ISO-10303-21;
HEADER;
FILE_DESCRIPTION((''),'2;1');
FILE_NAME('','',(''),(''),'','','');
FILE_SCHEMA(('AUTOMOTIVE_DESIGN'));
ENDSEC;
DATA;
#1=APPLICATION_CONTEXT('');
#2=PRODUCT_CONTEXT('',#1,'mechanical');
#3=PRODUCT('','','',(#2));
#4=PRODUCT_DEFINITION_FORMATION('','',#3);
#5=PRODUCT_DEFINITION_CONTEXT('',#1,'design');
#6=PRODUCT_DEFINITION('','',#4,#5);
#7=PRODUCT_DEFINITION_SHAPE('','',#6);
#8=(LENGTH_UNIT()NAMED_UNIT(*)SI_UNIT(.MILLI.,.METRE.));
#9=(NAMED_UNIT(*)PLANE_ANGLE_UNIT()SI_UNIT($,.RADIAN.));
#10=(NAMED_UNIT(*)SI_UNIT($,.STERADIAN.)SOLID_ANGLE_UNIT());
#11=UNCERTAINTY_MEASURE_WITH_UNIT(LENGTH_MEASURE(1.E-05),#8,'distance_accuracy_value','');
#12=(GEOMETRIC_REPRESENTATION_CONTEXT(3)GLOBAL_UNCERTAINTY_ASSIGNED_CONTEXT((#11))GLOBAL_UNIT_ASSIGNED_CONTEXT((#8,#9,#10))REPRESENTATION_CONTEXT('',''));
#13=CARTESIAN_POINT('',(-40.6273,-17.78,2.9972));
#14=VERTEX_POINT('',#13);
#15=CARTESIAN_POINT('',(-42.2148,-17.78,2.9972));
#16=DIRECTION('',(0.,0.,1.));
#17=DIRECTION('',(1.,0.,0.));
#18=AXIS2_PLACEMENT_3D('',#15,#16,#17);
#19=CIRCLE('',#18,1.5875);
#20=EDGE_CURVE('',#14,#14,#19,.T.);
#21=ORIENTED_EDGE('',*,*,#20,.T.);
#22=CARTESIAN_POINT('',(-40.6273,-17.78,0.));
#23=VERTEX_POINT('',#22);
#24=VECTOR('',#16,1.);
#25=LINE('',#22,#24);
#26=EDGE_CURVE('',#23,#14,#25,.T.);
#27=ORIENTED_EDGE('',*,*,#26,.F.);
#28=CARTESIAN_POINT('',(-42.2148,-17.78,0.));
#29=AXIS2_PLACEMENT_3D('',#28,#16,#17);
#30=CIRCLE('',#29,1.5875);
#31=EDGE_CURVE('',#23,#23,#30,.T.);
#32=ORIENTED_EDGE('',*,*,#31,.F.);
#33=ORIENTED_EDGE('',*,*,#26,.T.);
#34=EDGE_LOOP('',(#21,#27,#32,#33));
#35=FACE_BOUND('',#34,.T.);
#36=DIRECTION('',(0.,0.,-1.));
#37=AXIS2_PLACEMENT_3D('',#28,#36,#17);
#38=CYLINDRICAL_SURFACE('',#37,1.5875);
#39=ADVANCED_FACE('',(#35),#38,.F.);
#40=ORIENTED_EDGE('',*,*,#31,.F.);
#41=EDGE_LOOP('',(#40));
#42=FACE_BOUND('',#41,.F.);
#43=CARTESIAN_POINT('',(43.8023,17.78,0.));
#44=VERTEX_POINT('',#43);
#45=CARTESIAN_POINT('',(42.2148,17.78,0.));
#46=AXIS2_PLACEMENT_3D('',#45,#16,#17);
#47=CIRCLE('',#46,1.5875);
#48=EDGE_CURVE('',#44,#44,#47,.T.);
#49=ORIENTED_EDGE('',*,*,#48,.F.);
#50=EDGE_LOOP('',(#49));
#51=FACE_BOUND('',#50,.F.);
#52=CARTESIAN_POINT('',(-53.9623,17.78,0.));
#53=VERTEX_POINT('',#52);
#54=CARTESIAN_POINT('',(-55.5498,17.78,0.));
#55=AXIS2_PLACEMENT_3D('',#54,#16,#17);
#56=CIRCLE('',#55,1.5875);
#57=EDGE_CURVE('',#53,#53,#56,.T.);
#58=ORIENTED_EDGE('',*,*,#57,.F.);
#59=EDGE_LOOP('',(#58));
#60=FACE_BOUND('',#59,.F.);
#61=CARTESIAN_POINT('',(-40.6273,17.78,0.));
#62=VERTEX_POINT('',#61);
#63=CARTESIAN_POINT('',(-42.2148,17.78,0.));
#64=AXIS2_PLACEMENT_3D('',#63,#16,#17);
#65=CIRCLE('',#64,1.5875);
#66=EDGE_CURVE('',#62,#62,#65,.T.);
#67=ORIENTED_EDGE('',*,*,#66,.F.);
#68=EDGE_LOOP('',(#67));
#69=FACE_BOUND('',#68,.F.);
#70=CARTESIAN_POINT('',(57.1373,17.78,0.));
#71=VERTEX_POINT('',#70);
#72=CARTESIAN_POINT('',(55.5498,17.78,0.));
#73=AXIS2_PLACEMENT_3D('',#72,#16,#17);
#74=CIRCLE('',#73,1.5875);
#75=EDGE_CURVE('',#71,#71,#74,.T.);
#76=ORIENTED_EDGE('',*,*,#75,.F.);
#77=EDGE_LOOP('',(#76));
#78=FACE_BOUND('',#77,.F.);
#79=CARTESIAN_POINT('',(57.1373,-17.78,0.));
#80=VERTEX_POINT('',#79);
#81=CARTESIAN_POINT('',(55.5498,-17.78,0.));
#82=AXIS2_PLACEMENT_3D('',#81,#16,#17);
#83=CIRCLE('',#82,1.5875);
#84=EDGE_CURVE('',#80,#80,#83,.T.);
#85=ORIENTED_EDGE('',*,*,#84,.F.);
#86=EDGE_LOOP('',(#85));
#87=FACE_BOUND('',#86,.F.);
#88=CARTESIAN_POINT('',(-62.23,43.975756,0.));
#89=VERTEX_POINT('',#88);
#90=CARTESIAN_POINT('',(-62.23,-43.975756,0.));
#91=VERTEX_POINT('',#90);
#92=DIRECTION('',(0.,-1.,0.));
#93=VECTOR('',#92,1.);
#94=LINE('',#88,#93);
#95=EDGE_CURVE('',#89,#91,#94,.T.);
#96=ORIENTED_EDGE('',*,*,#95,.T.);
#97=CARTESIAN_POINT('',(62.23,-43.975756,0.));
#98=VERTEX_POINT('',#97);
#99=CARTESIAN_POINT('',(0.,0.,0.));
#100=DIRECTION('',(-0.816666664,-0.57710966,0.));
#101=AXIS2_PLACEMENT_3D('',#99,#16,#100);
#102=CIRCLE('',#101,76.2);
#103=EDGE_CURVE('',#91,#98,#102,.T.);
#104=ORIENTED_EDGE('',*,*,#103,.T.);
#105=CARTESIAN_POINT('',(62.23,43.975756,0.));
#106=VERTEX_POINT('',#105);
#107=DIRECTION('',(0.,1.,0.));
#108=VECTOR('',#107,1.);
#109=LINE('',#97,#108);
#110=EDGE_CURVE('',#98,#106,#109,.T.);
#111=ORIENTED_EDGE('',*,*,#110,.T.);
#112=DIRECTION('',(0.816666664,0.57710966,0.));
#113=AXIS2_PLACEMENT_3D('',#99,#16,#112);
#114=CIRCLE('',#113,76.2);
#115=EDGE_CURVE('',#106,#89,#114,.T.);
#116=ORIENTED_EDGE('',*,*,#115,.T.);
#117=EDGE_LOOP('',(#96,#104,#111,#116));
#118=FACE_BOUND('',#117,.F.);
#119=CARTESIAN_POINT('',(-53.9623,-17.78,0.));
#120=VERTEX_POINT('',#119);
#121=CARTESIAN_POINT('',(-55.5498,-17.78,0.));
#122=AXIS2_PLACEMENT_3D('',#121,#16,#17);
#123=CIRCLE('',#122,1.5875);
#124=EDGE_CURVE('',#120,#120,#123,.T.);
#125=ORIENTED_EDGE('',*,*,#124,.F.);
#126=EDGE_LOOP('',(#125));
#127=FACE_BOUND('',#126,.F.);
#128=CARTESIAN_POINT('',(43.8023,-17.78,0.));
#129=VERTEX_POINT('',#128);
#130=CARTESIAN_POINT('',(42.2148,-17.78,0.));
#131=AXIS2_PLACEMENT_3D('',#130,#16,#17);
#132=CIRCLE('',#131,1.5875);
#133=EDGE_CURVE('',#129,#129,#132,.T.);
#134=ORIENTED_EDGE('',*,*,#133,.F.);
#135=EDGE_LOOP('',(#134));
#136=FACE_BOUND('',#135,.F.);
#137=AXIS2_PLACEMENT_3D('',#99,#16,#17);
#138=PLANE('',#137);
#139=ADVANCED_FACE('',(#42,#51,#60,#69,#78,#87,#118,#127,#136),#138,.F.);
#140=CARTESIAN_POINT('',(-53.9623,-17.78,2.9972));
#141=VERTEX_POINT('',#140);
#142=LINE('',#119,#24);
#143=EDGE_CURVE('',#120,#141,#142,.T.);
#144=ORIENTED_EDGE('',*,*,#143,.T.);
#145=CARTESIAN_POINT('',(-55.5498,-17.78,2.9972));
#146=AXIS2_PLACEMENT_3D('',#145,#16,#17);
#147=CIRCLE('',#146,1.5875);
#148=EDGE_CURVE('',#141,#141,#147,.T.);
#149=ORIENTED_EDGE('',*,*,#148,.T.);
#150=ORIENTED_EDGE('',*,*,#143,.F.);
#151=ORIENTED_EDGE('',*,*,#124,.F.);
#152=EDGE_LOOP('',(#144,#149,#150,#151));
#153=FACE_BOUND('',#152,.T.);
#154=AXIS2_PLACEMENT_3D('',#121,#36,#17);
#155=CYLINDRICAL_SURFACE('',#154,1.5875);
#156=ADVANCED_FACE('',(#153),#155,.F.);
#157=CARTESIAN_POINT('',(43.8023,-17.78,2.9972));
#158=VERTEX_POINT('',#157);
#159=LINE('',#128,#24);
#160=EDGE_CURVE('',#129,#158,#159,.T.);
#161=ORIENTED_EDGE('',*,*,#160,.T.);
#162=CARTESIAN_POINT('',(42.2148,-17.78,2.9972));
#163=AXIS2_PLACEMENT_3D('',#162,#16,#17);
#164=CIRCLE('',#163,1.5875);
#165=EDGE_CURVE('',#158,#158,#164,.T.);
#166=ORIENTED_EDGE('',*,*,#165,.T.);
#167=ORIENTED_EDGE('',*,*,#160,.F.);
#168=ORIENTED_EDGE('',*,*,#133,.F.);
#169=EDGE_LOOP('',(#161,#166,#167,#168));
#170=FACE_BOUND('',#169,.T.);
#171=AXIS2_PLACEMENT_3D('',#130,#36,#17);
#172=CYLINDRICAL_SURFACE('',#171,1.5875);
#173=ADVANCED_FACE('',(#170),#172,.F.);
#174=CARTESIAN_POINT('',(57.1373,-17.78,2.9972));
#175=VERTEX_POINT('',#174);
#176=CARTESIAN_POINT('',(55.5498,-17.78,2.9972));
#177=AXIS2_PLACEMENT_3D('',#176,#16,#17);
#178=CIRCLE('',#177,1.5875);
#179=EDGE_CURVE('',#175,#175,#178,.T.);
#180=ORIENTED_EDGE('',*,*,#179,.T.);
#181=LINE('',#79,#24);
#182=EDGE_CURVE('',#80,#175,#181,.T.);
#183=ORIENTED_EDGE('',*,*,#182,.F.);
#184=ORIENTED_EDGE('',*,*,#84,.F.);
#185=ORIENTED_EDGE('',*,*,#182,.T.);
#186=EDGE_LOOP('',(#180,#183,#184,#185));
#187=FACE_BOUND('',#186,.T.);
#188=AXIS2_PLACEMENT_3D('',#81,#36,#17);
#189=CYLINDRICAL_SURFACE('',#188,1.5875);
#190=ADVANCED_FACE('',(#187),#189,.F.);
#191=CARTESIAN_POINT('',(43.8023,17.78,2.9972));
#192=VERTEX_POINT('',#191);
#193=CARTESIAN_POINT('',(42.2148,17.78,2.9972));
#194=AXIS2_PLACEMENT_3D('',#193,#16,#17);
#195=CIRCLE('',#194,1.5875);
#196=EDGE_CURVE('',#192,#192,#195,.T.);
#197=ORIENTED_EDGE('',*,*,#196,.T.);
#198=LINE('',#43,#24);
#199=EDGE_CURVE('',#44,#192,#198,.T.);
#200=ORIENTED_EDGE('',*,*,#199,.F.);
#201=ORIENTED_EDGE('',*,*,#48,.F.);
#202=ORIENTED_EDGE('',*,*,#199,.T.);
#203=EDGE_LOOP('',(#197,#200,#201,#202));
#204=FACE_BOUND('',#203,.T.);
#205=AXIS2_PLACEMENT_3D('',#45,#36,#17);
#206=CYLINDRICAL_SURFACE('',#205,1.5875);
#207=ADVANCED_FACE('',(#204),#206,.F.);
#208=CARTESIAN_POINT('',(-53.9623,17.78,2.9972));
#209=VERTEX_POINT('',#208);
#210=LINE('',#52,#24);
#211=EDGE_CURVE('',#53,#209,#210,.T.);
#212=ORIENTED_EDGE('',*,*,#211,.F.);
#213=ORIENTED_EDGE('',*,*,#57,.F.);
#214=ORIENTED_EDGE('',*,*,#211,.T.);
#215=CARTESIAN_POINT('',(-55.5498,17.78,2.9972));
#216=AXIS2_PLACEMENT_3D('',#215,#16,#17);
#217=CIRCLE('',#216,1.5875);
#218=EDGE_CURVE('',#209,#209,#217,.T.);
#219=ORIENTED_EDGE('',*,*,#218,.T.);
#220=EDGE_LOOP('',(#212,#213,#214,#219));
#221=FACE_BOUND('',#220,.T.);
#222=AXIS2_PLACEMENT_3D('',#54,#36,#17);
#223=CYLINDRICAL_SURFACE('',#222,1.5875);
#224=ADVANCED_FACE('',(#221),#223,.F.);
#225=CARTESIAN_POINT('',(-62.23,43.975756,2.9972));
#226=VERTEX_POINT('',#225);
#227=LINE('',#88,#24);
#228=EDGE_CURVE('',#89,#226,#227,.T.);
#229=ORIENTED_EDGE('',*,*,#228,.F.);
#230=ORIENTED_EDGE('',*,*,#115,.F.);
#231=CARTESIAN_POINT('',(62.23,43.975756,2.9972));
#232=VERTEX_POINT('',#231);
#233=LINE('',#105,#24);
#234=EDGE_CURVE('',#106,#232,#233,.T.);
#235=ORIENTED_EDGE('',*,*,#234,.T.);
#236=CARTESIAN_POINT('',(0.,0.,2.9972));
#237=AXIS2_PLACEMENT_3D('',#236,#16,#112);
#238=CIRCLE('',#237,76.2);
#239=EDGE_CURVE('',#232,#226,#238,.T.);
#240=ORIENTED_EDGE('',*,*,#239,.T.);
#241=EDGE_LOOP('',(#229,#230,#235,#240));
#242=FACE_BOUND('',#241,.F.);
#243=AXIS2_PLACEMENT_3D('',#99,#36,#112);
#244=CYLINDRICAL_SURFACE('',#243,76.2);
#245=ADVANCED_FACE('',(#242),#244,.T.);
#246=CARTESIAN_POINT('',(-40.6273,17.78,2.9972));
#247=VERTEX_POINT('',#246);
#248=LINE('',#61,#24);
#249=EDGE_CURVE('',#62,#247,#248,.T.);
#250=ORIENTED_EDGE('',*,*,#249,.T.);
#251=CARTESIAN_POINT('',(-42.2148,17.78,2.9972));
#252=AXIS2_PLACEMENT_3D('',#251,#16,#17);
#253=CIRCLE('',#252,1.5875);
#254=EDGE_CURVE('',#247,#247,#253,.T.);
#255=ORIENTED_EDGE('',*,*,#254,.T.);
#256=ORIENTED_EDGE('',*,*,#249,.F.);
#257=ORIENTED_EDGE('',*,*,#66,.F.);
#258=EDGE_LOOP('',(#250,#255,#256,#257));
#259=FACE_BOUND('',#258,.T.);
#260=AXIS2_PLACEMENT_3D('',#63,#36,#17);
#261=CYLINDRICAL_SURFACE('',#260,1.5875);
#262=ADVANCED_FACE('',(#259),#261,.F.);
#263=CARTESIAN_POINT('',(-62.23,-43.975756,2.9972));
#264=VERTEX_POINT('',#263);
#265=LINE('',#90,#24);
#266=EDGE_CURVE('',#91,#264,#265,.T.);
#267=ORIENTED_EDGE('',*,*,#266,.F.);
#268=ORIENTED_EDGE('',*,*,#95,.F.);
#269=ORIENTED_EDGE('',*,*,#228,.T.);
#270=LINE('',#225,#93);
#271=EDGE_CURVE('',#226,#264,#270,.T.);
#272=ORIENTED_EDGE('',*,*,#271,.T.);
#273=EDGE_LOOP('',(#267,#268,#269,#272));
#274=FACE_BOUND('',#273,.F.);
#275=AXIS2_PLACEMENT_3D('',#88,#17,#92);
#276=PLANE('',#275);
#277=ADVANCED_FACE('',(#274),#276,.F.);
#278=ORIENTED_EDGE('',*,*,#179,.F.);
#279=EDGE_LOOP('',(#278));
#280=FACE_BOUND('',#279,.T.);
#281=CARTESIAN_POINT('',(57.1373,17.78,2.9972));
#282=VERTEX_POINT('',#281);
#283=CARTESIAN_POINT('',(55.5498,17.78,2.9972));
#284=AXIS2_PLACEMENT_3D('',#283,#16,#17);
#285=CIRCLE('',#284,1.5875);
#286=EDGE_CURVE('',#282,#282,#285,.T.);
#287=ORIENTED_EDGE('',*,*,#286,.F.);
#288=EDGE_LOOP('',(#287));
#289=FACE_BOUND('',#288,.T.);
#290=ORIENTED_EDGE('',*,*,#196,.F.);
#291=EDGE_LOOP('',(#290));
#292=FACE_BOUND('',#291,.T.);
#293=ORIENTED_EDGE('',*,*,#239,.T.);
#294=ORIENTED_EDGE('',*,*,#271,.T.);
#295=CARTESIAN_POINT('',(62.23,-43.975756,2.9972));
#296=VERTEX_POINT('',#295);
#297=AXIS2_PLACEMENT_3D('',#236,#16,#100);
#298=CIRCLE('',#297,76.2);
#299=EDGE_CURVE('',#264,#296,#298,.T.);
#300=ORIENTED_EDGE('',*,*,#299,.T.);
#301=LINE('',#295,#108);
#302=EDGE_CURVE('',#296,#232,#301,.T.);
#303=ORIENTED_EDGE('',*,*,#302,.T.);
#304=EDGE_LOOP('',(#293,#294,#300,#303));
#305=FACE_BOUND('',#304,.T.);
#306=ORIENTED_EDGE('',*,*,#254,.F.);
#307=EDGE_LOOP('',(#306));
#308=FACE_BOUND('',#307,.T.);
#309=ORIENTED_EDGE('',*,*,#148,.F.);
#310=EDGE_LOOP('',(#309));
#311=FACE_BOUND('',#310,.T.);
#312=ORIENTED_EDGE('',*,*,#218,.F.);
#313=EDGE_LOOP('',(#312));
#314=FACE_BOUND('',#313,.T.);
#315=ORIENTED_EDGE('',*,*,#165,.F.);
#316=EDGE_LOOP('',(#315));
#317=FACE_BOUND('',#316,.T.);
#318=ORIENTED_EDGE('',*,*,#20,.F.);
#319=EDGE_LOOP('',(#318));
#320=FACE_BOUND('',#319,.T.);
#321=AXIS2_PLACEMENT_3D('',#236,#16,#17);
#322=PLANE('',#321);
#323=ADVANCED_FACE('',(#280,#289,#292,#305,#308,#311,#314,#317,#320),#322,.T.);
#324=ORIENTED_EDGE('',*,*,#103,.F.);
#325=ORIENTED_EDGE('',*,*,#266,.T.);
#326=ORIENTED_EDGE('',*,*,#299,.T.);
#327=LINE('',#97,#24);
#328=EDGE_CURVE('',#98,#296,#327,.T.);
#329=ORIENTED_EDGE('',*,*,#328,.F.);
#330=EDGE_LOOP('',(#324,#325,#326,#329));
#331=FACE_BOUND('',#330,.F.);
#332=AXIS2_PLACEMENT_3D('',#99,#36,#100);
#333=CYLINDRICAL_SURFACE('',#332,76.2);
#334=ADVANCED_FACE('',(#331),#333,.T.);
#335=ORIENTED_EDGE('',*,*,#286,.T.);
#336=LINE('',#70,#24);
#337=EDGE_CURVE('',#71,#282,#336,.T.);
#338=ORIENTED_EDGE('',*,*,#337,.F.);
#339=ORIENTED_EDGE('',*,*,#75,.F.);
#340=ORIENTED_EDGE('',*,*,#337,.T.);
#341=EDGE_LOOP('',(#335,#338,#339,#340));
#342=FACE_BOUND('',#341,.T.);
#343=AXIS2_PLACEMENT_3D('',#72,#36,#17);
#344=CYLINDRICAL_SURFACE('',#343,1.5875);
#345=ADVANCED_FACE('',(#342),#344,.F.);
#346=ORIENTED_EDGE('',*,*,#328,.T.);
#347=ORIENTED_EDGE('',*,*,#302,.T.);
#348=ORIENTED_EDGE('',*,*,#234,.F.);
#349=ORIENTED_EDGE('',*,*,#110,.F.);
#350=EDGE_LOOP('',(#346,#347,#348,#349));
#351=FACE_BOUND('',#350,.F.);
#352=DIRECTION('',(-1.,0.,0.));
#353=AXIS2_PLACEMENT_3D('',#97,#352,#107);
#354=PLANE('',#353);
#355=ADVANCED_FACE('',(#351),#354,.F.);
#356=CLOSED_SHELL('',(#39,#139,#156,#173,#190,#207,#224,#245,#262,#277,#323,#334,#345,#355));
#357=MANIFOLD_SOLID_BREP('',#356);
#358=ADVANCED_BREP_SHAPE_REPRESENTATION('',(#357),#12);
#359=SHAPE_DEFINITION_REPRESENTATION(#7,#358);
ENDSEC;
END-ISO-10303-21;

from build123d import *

# Parameters (mm, degrees)
F0_R     = 1.5875
F1_DEPTH = 2.9972


with BuildPart() as f1:
    # F0 (on Top) → F1 (new body)
    with BuildSketch(Plane.XY):
        with BuildLine():
            Line((-62.23, 43.975756), (-62.23, -43.975756))
            ThreePointArc((-62.23, -43.975756), (0, -76.2), (62.23, -43.975756))
            Line((62.23, -43.975756), (62.23, 43.975756))
            ThreePointArc((62.23, 43.975756), (0, 76.2), (-62.23, 43.975756))
        make_face()
        with Locations((-55.5498, -17.78)):
            Circle(F0_R, mode=Mode.SUBTRACT)
        with Locations((-42.2148, -17.78)):
            Circle(F0_R, mode=Mode.SUBTRACT)
        with Locations((42.2148, -17.78)):
            Circle(F0_R, mode=Mode.SUBTRACT)
        with Locations((55.5498, -17.78)):
            Circle(F0_R, mode=Mode.SUBTRACT)
        with Locations((-55.5498, 17.78)):
            Circle(F0_R, mode=Mode.SUBTRACT)
        with Locations((-42.2148, 17.78)):
            Circle(F0_R, mode=Mode.SUBTRACT)
        with Locations((42.2148, 17.78)):
            Circle(F0_R, mode=Mode.SUBTRACT)
        with Locations((55.5498, 17.78)):
            Circle(F0_R, mode=Mode.SUBTRACT)
    extrude(amount=F1_DEPTH)


solid = f1.part
